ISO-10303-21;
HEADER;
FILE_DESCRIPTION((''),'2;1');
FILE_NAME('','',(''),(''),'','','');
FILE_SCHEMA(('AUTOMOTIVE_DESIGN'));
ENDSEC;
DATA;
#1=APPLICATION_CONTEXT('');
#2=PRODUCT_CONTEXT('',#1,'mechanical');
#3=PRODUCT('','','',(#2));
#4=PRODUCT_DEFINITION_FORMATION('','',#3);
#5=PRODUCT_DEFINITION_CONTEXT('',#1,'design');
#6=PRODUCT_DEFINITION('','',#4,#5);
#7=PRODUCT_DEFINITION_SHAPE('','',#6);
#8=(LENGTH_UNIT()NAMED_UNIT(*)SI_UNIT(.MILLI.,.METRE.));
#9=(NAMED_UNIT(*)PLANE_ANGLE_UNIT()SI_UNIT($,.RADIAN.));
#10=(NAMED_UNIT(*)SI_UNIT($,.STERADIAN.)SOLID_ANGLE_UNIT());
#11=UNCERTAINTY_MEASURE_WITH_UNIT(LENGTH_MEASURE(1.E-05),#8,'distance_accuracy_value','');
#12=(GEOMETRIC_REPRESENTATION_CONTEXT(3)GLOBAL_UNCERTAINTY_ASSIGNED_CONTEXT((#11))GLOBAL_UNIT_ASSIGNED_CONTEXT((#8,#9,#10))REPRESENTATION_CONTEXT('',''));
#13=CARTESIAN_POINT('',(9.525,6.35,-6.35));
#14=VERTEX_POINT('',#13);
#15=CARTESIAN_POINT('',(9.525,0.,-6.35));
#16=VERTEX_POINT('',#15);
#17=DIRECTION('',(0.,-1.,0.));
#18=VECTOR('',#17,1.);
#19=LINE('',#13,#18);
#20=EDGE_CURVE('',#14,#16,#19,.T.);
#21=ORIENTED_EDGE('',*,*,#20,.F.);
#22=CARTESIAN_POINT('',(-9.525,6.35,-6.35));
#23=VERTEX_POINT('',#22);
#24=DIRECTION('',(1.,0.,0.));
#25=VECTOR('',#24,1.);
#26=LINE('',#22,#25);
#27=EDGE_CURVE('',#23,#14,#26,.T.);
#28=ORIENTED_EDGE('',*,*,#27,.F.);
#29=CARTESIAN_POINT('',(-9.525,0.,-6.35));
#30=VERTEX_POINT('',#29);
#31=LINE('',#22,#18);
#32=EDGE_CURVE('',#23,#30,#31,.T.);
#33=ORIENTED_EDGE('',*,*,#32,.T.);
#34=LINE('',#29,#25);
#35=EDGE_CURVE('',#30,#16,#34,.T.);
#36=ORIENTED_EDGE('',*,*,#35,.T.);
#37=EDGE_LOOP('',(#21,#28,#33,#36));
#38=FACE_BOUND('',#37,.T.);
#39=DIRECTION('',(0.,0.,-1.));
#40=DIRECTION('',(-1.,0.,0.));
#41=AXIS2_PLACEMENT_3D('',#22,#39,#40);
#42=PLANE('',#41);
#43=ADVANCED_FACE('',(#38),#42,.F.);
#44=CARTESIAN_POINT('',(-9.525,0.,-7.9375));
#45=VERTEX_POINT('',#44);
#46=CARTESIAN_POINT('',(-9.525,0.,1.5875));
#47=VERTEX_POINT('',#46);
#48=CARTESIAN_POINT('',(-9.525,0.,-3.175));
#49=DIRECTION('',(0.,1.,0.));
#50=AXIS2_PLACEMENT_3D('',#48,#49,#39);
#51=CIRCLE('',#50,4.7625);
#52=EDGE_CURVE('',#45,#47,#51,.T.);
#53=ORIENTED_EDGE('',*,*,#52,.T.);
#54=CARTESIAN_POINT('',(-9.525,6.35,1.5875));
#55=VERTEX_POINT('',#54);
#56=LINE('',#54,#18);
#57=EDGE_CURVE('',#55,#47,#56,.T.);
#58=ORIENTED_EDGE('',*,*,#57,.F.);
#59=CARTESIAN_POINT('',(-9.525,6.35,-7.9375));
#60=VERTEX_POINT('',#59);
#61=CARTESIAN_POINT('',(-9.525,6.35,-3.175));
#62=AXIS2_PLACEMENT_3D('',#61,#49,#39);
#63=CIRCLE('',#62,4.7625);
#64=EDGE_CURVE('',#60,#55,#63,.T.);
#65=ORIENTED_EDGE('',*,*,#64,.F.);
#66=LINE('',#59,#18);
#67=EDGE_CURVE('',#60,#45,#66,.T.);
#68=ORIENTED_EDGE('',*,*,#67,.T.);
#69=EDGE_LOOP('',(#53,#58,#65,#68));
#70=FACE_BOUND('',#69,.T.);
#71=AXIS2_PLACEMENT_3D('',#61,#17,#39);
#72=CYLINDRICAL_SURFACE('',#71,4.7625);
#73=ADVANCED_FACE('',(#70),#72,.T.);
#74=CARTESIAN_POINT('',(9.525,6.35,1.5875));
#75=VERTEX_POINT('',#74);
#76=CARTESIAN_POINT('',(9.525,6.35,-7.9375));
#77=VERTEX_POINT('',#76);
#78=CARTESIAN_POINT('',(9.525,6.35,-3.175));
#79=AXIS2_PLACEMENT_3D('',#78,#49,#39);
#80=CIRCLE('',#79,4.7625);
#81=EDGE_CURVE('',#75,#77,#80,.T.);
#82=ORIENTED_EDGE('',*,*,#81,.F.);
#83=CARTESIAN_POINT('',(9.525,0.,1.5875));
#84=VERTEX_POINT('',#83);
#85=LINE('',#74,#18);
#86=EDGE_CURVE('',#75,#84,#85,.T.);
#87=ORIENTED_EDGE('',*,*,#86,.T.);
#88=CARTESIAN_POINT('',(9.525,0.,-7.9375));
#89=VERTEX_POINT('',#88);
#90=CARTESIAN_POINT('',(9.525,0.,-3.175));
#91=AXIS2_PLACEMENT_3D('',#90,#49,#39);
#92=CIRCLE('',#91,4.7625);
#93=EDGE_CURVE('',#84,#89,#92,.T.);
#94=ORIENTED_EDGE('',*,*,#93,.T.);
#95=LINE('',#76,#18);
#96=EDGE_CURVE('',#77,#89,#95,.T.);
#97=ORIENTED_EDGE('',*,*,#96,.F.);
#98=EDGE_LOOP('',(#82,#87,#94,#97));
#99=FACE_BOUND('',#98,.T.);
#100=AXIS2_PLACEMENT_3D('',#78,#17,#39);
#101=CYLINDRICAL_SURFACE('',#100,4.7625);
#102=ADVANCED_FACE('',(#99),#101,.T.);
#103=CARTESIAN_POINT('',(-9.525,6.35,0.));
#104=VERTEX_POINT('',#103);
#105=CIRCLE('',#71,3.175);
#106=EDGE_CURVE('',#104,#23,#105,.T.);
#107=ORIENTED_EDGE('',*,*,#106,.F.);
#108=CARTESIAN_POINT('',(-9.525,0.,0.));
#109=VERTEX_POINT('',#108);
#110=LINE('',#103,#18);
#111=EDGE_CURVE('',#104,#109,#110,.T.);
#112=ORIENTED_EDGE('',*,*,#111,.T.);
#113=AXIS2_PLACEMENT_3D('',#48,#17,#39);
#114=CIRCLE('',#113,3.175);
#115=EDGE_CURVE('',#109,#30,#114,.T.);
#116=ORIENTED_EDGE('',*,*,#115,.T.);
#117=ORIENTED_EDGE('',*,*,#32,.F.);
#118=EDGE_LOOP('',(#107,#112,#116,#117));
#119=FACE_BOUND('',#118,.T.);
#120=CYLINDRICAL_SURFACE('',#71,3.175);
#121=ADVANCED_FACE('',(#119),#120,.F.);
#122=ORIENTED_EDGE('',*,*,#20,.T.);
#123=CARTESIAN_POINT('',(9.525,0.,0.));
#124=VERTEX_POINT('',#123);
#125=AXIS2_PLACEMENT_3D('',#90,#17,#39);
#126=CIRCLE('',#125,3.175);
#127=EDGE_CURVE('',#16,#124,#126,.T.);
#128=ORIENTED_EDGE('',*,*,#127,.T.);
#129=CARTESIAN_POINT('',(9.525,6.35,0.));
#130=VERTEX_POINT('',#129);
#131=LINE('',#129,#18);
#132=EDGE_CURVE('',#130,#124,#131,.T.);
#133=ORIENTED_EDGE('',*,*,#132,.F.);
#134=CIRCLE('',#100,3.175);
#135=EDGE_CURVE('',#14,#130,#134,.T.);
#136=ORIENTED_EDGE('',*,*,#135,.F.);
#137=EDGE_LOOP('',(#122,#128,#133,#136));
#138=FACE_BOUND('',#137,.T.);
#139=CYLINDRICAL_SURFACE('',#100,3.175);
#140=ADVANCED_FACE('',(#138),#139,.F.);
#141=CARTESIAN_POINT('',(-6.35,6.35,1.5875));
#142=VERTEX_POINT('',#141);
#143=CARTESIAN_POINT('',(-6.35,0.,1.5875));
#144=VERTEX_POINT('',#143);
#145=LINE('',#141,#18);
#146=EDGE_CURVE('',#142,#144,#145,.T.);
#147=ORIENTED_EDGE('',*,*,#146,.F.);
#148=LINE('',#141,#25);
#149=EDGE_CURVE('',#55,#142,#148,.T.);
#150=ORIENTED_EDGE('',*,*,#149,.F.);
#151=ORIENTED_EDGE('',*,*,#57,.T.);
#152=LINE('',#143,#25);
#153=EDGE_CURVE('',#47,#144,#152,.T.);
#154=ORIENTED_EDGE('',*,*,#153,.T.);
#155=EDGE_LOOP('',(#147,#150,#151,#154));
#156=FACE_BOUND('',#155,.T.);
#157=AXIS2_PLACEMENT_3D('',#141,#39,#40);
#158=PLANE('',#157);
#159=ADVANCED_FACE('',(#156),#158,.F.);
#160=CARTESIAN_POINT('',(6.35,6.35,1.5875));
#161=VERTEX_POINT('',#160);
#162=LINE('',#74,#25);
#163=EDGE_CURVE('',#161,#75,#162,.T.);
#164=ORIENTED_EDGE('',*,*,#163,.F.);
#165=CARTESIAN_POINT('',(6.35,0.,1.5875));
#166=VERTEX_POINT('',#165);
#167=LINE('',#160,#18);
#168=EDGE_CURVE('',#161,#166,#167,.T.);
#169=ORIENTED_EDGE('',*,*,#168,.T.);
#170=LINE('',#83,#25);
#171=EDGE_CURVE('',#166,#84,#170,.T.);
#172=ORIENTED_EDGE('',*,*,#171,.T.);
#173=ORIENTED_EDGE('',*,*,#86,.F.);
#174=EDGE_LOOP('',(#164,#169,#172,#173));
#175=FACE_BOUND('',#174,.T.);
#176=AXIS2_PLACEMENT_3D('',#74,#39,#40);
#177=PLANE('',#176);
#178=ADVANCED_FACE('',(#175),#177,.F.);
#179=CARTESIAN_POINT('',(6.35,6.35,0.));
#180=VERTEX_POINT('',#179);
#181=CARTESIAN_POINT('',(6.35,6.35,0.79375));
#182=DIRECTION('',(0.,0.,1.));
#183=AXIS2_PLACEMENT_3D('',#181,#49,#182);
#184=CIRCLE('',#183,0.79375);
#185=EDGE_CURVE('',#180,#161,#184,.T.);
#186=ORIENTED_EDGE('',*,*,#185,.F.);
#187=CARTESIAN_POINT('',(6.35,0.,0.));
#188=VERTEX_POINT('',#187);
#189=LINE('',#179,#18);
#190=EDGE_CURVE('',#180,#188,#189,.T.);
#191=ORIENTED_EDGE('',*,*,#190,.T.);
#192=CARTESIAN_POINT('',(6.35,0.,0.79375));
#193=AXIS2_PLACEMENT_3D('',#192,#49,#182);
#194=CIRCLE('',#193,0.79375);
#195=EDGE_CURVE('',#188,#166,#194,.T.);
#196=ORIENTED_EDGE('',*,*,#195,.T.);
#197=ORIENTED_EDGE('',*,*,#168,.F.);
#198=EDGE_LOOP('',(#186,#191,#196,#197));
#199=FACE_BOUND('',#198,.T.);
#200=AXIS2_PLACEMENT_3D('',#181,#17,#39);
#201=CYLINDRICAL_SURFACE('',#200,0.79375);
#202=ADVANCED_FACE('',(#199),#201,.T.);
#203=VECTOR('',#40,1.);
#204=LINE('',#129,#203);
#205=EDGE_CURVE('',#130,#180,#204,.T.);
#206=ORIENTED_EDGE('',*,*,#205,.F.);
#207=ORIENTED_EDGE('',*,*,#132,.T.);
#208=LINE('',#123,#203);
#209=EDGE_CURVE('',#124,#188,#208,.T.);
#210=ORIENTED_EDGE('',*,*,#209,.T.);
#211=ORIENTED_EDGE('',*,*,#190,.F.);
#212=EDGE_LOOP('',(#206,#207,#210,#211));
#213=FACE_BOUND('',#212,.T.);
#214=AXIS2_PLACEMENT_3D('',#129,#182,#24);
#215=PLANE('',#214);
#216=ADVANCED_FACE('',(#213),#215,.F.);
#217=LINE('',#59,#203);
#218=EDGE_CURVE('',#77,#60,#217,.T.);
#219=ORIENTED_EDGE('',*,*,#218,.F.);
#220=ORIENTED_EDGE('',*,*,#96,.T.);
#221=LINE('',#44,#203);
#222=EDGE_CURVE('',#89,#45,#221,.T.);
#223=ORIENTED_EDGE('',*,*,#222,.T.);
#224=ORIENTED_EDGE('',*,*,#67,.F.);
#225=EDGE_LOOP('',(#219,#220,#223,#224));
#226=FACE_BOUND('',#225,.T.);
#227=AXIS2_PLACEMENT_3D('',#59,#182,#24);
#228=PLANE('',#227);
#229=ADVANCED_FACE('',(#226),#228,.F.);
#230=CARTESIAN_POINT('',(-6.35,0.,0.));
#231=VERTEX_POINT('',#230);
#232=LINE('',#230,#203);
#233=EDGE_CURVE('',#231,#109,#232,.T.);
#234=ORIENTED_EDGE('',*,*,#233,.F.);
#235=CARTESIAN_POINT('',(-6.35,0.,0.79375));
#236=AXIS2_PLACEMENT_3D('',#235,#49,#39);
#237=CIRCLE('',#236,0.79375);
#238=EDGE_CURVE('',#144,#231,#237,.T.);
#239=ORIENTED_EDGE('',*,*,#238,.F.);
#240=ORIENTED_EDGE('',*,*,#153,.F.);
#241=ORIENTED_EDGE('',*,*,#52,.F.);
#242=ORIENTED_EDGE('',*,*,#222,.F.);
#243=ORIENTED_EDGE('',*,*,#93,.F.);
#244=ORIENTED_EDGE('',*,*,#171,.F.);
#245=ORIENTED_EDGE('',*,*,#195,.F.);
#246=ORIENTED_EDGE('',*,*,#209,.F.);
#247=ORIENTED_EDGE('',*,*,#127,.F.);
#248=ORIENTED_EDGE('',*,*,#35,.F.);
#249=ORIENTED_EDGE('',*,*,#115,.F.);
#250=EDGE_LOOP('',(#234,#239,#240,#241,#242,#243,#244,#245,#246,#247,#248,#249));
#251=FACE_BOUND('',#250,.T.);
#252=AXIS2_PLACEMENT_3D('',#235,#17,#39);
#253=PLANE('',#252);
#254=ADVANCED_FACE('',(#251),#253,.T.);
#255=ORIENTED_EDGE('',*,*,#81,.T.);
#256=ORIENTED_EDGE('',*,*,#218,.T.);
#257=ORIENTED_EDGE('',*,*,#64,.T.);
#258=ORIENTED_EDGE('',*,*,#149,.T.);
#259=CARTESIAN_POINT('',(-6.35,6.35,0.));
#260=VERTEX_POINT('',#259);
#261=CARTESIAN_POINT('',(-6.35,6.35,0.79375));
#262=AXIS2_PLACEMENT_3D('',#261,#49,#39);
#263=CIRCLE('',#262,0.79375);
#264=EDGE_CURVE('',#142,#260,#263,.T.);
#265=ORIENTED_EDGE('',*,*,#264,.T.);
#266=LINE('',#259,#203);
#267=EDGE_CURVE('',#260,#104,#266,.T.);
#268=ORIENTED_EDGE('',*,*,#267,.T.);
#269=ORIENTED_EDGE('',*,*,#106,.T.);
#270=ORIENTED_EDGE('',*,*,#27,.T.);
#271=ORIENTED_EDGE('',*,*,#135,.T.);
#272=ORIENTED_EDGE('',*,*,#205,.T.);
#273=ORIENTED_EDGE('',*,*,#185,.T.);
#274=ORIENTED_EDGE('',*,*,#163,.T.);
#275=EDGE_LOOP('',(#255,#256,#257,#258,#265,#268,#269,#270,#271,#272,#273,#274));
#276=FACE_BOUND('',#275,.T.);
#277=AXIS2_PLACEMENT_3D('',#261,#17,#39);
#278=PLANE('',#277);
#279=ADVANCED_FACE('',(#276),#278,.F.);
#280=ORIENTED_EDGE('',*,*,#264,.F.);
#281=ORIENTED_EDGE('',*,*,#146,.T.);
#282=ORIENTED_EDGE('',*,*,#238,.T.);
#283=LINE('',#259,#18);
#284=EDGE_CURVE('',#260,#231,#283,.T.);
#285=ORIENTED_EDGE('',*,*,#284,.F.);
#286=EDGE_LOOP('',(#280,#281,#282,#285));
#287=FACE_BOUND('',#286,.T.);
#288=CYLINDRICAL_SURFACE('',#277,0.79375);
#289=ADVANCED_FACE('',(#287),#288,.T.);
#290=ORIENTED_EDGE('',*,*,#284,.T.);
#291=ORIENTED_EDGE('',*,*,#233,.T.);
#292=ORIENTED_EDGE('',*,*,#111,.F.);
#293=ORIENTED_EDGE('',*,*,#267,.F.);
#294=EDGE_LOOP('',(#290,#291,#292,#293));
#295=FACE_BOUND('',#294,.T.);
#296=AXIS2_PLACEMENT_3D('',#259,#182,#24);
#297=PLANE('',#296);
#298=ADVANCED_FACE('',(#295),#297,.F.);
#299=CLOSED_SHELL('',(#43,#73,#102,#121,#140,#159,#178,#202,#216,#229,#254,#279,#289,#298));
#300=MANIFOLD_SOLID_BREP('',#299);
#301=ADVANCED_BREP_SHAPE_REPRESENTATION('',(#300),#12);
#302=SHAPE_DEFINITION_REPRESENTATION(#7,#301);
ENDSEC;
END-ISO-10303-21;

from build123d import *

# Parameters (mm, degrees)
BOSS_EXTRUDE1_DEPTH = 6.35


with BuildPart() as part:
    # Sketch1 → Boss-Extrude1 (new body)
    with BuildSketch(Plane(origin=(0, 0, 0), x_dir=(1, 0, 0), z_dir=(0, 1, 0))):
        with BuildLine():
            Line((-6.35, 0), (-9.525, 0))
            ThreePointArc((-9.525, 0), (-12.7, 3.175), (-9.525, 6.35))
            Line((-9.525, 6.35), (9.525, 6.35))
            ThreePointArc((9.525, 6.35), (12.7, 3.175), (9.525, 0))
            Line((9.525, 0), (6.35, 0))
            ThreePointArc((6.35, 0), (5.55625, -0.79375), (6.35, -1.5875))
            Line((6.35, -1.5875), (9.525, -1.5875))
            ThreePointArc((9.525, -1.5875), (14.2875, 3.175), (9.525, 7.9375))
            Line((9.525, 7.9375), (-9.525, 7.9375))
            ThreePointArc((-9.525, 7.9375), (-14.2875, 3.175), (-9.525, -1.5875))
            Line((-9.525, -1.5875), (-6.35, -1.5875))
            ThreePointArc((-6.35, -1.5875), (-5.55625, -0.79375), (-6.35, 0))
        make_face()
    extrude(amount=BOSS_EXTRUDE1_DEPTH)


solid = part.part
